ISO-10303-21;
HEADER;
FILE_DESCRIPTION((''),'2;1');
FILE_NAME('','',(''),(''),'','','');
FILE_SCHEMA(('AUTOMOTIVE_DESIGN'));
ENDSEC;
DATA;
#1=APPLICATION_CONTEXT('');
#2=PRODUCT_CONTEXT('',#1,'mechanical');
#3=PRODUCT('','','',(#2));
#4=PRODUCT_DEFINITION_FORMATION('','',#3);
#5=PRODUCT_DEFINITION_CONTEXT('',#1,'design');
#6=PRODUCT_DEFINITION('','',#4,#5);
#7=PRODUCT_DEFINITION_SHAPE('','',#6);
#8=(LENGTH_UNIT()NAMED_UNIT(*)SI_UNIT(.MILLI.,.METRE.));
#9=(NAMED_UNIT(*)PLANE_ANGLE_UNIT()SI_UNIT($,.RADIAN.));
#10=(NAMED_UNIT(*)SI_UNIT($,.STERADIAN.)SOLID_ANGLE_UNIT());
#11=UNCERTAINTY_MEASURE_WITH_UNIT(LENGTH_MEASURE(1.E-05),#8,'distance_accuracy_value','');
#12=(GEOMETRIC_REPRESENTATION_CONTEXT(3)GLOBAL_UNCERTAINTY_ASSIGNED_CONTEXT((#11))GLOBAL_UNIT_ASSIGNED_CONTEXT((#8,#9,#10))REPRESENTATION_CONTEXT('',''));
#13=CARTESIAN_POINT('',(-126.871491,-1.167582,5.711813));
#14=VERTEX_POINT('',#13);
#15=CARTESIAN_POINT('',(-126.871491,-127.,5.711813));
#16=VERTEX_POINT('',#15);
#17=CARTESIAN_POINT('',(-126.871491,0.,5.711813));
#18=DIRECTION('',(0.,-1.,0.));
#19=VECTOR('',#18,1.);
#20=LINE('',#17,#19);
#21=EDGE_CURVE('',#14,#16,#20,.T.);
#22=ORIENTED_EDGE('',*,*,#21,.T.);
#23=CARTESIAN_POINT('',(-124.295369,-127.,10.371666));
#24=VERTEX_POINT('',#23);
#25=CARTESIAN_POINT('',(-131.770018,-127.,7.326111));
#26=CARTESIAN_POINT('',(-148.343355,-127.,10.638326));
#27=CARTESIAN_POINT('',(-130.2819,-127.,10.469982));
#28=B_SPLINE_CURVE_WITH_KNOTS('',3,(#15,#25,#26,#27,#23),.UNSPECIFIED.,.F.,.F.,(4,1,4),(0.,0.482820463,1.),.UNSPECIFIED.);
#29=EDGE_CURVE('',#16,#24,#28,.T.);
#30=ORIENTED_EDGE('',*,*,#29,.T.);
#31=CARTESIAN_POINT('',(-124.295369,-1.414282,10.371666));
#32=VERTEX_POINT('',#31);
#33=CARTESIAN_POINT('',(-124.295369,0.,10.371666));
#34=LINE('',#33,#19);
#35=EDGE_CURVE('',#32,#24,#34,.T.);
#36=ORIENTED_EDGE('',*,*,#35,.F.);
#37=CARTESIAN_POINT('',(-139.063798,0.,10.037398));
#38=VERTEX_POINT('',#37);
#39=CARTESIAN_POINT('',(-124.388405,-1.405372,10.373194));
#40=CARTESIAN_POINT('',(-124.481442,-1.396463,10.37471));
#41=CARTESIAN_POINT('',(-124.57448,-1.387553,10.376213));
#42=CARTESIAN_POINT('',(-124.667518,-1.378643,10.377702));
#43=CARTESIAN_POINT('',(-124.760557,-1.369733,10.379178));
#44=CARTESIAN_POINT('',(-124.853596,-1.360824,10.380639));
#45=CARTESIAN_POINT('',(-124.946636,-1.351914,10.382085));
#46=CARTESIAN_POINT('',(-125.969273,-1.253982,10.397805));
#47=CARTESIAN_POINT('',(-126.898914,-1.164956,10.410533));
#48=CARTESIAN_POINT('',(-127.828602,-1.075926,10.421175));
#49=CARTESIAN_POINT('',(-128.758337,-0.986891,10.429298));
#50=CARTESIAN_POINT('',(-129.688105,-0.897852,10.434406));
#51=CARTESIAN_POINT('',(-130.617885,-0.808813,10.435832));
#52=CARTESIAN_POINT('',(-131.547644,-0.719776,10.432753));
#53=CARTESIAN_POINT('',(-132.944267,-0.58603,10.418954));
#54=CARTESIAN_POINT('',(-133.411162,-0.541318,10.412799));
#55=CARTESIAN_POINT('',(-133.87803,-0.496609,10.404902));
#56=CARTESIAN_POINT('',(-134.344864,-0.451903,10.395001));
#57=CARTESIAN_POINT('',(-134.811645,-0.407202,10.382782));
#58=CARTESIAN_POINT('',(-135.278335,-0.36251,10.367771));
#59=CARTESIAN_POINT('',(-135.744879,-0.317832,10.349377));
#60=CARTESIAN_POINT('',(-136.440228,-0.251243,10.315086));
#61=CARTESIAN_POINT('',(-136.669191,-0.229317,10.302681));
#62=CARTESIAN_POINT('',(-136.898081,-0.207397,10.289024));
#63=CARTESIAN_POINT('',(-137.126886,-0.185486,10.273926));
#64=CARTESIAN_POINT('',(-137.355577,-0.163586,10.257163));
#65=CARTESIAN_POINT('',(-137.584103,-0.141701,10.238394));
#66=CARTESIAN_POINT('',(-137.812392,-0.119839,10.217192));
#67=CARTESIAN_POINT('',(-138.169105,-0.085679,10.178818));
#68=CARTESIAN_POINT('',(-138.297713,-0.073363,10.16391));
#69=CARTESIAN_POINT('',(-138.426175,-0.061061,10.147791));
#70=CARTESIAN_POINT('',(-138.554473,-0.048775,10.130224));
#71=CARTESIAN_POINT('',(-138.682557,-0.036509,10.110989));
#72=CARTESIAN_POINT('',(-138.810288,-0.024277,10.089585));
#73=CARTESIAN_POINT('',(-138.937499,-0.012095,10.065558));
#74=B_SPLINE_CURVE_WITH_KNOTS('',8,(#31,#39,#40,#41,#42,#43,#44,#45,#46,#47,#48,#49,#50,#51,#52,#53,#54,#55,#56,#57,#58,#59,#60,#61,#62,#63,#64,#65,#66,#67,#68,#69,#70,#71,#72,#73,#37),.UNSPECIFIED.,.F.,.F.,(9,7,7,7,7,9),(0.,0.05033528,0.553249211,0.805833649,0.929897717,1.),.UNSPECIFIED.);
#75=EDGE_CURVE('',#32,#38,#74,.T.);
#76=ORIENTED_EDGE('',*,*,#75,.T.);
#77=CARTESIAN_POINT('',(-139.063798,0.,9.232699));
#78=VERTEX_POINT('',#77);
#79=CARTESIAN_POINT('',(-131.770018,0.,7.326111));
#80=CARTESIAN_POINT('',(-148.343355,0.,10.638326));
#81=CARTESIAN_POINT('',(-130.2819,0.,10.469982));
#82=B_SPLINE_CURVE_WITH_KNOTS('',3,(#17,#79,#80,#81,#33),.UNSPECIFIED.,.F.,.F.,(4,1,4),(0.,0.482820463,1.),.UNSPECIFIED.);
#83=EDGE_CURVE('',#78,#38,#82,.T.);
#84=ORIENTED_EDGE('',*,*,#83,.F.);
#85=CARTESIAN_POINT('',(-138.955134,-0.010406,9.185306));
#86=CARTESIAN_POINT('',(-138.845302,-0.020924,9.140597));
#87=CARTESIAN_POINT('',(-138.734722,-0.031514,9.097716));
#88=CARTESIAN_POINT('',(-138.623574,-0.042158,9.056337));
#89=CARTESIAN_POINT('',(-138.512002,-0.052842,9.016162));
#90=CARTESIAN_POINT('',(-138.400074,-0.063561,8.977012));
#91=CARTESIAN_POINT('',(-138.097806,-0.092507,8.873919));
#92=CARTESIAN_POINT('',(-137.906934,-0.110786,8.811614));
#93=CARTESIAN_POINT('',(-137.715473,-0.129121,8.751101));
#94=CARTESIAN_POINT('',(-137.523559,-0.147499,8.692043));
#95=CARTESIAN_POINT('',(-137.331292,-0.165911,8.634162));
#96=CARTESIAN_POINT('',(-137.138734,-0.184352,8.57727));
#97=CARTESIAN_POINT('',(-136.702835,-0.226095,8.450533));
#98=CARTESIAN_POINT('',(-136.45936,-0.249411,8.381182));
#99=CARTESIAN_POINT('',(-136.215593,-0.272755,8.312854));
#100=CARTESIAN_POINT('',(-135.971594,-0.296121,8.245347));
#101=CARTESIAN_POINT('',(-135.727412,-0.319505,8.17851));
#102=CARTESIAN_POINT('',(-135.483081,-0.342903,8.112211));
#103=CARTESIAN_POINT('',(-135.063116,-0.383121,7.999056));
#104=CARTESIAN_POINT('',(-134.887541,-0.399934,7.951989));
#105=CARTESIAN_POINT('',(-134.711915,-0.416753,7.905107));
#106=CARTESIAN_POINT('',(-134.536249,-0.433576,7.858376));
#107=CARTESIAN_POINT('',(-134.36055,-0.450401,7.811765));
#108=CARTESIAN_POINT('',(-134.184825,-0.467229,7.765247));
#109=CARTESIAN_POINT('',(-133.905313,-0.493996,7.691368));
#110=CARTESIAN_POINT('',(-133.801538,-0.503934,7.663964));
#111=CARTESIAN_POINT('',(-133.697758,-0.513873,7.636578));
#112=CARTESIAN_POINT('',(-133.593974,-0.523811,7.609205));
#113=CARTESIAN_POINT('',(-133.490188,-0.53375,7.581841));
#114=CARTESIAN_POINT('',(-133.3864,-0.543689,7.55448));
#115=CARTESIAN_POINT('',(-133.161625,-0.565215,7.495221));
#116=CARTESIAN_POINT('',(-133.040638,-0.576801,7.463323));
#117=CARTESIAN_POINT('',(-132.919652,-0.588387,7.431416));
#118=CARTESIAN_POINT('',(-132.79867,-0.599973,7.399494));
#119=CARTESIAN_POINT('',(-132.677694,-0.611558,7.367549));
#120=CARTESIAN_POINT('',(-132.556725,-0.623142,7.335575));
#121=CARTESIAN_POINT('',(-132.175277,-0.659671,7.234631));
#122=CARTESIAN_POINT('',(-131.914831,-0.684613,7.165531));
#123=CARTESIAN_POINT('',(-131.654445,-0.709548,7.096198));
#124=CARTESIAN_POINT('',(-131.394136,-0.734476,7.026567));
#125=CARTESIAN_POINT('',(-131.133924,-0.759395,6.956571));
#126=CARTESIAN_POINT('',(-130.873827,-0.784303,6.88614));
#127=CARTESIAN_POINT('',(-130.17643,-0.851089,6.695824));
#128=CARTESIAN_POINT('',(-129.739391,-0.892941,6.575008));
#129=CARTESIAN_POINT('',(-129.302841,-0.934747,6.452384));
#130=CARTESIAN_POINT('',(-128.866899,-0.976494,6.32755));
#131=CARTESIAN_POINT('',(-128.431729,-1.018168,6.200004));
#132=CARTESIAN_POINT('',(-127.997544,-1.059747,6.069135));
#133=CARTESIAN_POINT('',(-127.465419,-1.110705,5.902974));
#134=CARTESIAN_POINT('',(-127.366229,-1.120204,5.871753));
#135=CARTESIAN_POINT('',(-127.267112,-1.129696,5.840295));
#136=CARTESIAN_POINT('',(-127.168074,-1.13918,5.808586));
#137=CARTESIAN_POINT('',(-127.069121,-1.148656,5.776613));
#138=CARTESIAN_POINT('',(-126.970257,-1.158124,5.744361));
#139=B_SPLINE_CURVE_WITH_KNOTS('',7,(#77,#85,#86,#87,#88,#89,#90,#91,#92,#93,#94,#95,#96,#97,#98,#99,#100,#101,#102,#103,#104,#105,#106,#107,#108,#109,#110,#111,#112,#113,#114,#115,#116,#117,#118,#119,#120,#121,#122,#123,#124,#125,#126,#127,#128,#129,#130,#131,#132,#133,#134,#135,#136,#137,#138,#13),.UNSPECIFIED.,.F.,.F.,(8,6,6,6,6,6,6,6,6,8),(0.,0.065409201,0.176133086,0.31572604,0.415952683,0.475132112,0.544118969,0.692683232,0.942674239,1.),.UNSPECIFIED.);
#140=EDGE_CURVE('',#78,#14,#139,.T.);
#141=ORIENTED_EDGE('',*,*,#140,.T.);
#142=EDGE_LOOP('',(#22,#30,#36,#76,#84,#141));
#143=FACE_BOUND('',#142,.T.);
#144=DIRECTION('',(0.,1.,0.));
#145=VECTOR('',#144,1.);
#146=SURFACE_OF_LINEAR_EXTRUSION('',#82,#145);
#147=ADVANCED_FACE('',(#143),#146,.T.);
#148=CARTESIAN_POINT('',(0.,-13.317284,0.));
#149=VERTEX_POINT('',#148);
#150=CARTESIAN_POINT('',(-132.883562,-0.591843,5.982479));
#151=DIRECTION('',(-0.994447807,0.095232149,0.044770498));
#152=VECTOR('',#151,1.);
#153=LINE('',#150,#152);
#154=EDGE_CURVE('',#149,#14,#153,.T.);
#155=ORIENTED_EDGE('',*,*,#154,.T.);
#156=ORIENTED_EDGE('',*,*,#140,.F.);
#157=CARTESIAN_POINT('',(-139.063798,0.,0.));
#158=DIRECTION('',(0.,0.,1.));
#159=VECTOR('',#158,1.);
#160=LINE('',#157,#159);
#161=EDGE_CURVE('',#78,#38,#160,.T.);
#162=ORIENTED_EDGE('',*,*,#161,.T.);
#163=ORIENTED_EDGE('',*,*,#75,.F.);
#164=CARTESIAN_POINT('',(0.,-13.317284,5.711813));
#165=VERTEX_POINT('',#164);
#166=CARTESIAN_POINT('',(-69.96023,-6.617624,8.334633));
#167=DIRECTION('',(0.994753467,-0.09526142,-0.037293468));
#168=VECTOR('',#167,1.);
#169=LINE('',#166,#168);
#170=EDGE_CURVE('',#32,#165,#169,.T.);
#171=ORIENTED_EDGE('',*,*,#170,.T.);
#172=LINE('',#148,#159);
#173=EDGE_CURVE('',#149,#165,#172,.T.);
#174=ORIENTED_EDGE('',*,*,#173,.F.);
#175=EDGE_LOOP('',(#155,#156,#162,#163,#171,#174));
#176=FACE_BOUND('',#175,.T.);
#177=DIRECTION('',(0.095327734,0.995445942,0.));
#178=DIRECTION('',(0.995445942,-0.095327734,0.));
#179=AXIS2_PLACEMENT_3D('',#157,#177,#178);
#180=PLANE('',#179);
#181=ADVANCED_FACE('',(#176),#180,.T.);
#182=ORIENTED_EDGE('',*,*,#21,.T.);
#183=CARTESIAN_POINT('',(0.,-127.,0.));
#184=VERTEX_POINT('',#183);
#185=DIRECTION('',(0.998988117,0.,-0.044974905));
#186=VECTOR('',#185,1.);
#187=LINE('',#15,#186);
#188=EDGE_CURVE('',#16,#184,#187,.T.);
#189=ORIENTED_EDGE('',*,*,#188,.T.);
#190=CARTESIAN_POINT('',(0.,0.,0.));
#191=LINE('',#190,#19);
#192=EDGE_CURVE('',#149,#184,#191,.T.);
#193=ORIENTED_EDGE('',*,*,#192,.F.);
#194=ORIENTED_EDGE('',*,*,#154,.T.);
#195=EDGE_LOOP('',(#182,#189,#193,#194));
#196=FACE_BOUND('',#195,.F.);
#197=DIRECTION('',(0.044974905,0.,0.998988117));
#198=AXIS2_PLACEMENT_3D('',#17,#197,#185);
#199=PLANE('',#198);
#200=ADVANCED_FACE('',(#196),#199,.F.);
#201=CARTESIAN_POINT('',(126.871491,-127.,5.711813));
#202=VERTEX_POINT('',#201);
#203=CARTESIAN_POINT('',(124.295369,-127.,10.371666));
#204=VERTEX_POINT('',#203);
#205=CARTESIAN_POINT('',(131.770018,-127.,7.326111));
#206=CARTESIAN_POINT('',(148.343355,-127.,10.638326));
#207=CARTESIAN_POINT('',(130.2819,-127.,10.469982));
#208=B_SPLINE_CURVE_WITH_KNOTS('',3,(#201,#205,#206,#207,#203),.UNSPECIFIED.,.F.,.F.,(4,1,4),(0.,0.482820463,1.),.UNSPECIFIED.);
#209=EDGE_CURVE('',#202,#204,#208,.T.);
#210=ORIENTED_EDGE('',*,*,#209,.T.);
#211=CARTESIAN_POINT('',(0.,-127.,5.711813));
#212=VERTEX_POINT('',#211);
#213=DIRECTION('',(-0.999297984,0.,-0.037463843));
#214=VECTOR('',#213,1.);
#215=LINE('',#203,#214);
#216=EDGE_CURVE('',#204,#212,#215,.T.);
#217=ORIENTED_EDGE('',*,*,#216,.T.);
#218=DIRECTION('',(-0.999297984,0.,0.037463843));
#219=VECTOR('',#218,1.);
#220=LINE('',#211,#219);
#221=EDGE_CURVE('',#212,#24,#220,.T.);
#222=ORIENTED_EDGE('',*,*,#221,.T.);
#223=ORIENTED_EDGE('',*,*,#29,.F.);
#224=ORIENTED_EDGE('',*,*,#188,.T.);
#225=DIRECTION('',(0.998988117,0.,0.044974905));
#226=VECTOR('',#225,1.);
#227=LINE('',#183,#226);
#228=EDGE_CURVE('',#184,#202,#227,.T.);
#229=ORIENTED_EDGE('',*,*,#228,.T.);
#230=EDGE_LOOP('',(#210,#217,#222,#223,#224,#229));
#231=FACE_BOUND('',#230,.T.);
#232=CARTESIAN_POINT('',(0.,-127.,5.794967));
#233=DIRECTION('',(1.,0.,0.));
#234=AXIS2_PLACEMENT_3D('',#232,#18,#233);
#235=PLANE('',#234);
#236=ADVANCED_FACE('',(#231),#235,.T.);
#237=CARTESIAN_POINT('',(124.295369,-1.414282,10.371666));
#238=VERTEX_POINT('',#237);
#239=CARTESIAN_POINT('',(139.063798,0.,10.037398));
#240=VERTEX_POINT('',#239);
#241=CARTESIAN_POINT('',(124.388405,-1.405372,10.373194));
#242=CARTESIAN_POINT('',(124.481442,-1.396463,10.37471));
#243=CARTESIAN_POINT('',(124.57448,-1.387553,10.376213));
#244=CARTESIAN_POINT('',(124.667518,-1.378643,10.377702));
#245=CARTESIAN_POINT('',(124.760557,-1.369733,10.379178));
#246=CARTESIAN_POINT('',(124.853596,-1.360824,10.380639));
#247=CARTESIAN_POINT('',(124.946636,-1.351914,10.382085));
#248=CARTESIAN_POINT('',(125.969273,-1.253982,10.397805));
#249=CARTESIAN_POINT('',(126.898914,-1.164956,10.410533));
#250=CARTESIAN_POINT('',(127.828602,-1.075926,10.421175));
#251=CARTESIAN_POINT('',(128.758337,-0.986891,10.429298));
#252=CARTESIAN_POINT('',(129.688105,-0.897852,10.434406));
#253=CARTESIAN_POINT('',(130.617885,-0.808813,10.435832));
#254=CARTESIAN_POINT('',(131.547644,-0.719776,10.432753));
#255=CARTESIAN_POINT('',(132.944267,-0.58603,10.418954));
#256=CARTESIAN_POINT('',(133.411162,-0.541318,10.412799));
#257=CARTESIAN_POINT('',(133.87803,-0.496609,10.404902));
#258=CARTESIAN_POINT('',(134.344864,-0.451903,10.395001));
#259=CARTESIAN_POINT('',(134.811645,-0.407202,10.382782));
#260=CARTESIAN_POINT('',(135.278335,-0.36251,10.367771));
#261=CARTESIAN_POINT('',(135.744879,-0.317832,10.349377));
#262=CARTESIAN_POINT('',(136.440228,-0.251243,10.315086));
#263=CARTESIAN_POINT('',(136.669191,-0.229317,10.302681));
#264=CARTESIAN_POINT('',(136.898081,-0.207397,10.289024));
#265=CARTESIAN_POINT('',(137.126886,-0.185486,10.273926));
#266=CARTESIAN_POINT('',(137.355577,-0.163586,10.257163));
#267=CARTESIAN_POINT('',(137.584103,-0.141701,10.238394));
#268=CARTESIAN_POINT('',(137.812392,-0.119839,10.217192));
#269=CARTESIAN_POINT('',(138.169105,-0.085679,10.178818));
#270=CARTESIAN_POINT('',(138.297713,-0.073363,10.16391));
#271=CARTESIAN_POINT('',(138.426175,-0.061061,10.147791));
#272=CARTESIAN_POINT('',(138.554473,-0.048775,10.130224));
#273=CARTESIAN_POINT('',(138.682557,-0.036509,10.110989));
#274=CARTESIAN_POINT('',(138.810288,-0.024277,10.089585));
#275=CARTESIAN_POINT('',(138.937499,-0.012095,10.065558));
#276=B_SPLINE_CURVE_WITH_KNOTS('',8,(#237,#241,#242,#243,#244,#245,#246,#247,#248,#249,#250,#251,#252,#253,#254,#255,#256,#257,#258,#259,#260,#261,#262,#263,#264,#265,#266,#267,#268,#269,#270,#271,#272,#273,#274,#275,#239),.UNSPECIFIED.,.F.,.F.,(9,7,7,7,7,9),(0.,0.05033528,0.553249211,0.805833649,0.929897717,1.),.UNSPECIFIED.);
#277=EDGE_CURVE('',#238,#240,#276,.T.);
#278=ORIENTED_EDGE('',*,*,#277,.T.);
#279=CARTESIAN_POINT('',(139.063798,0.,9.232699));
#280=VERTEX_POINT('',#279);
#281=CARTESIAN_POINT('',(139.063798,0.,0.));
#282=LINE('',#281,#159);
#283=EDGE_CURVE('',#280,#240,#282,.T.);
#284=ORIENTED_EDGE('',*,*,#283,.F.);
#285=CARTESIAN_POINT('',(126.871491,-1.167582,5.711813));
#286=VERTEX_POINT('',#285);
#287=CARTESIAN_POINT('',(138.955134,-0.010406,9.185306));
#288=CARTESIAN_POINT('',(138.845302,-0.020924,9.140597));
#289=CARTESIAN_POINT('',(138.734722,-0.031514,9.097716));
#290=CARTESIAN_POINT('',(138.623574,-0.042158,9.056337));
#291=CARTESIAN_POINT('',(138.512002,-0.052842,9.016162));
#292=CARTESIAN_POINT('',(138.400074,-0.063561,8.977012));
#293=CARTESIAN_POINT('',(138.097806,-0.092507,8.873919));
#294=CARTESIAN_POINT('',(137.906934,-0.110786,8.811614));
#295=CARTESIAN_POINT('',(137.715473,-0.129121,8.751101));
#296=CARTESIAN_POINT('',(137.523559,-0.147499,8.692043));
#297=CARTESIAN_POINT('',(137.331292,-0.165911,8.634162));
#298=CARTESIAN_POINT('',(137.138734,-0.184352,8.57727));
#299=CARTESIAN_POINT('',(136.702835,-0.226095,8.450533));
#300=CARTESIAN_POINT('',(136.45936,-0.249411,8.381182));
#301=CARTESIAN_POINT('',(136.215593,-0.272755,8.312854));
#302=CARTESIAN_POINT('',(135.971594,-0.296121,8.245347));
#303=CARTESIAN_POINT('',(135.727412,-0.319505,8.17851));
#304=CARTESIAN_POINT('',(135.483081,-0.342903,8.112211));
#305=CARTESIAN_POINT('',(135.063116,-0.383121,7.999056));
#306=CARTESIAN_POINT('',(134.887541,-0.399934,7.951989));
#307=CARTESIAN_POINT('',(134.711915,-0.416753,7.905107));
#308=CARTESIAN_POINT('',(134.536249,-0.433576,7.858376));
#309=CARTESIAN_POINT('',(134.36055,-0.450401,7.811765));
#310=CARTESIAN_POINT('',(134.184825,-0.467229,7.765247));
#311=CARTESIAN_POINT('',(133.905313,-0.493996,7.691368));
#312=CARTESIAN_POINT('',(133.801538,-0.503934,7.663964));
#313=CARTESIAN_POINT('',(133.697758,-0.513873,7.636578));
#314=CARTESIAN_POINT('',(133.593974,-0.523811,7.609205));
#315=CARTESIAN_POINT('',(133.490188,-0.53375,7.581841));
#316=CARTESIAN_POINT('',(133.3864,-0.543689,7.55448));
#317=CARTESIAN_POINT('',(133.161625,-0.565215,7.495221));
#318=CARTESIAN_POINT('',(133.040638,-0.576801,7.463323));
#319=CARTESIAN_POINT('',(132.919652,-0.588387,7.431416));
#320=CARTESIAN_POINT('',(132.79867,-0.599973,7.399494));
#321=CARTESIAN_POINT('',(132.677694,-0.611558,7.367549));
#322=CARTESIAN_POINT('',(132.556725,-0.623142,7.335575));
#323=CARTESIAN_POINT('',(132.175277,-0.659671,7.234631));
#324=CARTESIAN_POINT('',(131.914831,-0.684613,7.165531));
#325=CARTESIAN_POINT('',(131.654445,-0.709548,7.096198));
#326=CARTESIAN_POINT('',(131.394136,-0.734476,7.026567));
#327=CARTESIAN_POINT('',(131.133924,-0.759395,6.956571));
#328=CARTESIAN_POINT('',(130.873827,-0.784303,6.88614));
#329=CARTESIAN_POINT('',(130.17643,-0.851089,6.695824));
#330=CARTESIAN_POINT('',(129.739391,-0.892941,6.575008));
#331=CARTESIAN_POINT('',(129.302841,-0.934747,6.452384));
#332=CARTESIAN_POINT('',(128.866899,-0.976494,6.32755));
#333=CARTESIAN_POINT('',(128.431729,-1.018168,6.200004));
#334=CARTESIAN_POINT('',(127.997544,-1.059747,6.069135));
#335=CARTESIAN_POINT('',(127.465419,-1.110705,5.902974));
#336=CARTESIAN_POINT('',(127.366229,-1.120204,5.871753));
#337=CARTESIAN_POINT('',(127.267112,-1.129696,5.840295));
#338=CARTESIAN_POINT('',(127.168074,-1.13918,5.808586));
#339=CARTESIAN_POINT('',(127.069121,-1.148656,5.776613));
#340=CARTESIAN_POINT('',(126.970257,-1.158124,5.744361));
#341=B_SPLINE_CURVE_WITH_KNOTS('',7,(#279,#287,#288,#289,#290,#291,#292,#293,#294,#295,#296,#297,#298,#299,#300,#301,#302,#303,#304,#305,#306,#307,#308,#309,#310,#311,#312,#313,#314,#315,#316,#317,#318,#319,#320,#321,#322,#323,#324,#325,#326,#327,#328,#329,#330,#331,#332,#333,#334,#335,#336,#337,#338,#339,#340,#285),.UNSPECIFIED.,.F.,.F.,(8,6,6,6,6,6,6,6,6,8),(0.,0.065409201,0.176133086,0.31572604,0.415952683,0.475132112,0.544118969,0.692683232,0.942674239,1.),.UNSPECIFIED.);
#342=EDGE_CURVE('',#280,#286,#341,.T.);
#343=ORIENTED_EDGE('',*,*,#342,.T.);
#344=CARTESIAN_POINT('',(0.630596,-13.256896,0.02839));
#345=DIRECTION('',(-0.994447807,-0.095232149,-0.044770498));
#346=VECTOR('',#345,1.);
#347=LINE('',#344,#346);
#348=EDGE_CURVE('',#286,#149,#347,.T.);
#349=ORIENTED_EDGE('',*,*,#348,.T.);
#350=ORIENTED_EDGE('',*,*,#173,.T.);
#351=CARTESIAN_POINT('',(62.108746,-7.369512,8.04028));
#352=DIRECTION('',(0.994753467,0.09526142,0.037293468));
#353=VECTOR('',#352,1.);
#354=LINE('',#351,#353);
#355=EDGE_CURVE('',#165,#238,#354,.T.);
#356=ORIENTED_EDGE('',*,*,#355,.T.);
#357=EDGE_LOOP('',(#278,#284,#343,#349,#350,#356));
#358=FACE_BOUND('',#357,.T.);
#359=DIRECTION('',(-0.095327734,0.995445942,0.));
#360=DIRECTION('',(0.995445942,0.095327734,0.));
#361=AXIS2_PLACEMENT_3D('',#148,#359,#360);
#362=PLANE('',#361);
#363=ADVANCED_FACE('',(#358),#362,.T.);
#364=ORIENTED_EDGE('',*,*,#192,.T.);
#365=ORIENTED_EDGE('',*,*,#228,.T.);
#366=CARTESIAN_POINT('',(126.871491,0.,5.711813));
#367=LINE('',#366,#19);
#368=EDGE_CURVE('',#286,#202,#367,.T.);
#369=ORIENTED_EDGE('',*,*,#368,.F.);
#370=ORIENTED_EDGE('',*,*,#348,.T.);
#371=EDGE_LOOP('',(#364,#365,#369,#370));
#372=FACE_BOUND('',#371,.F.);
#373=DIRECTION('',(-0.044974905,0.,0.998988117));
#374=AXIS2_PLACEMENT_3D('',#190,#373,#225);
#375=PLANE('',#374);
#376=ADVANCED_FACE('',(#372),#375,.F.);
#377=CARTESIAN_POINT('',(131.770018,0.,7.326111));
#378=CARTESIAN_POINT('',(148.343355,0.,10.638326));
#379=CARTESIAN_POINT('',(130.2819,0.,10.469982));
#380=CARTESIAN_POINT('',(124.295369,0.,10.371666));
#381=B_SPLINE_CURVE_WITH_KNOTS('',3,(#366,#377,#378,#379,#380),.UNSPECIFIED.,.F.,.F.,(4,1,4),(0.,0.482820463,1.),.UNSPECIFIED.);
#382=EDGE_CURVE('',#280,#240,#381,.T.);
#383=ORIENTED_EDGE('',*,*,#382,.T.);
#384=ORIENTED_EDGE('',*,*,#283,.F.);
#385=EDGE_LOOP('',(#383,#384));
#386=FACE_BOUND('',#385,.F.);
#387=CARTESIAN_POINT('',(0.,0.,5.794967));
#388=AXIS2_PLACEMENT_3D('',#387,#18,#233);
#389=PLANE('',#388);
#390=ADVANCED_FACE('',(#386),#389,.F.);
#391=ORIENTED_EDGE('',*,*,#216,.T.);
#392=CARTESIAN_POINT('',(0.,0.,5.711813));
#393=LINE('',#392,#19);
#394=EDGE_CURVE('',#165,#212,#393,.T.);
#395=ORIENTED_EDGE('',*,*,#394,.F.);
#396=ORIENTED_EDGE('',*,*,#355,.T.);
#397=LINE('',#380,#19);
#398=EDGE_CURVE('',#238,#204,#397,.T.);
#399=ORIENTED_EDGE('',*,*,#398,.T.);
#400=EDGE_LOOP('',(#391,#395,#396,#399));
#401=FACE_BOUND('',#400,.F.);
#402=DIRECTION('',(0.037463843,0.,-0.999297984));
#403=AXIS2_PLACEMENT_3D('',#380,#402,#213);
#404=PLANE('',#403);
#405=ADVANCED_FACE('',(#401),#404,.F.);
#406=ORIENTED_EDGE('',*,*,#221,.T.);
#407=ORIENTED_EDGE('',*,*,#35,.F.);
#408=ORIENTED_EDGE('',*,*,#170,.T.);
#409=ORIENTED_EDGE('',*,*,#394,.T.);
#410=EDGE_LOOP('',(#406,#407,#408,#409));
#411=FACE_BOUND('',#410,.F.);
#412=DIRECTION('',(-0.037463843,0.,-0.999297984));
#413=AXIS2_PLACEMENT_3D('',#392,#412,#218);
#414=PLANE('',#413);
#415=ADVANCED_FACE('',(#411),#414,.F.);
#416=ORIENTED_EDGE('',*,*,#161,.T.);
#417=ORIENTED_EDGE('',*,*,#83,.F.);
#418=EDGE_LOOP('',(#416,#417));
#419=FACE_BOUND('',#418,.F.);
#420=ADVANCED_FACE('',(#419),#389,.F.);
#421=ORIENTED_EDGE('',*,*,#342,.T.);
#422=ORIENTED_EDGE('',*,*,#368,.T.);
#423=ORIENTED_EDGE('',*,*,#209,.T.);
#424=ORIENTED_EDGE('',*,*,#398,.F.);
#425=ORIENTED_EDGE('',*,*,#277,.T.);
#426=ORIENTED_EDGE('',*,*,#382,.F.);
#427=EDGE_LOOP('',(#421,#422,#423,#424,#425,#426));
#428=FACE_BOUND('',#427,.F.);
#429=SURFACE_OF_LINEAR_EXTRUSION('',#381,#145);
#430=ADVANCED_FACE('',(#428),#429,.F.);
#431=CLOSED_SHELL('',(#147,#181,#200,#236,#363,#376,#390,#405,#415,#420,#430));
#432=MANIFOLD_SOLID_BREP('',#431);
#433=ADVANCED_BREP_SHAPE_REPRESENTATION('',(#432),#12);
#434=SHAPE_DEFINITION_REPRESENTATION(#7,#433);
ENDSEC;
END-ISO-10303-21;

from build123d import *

# Parameters (mm, degrees)
F1_DEPTH = 127
F3_DEPTH = 203.2


with BuildPart() as f1:
    # F0 (on Front) → F1 (new body)
    with BuildSketch(Plane.XZ):
        with BuildLine():
            Line((-126.8714908583, 5.71181297), (0, 0))
            Line((0, 0), (126.8714908583, 5.71181297))
            add(Edge.make_bspline(
                [(126.8714908583, 5.71181297), (131.7700180401, 7.3261107818), (148.343354527, 10.6383260951), (130.2819001647, 10.4699817676), (124.2953687906, 10.3716664016)],
                knots=[0, 0, 0, 0, 0.4828204634, 1, 1, 1, 1], degree=3))
            Line((124.2953687906, 10.3716664016), (0, 5.71181297))
            Line((0, 5.71181297), (-124.2953687906, 10.3716664016))
            add(Edge.make_bspline(
                [(-126.8714908583, 5.71181297), (-131.7700180401, 7.3261107818), (-148.343354527, 10.6383260951), (-130.2819001647, 10.4699817676), (-124.2953687906, 10.3716664016)],
                knots=[0, 0, 0, 0, 0.4828204634, 1, 1, 1, 1], degree=3))
        make_face()
    extrude(amount=F1_DEPTH)

    # F2 (on Top) → F3 (cut)
    with BuildSketch(Plane.XY):
        Polygon((139.0637980759, 0), (-139.0637980759, 0), (0, -13.3172844347), align=None)
    extrude(amount=F3_DEPTH, mode=Mode.SUBTRACT)


solid = f1.part
